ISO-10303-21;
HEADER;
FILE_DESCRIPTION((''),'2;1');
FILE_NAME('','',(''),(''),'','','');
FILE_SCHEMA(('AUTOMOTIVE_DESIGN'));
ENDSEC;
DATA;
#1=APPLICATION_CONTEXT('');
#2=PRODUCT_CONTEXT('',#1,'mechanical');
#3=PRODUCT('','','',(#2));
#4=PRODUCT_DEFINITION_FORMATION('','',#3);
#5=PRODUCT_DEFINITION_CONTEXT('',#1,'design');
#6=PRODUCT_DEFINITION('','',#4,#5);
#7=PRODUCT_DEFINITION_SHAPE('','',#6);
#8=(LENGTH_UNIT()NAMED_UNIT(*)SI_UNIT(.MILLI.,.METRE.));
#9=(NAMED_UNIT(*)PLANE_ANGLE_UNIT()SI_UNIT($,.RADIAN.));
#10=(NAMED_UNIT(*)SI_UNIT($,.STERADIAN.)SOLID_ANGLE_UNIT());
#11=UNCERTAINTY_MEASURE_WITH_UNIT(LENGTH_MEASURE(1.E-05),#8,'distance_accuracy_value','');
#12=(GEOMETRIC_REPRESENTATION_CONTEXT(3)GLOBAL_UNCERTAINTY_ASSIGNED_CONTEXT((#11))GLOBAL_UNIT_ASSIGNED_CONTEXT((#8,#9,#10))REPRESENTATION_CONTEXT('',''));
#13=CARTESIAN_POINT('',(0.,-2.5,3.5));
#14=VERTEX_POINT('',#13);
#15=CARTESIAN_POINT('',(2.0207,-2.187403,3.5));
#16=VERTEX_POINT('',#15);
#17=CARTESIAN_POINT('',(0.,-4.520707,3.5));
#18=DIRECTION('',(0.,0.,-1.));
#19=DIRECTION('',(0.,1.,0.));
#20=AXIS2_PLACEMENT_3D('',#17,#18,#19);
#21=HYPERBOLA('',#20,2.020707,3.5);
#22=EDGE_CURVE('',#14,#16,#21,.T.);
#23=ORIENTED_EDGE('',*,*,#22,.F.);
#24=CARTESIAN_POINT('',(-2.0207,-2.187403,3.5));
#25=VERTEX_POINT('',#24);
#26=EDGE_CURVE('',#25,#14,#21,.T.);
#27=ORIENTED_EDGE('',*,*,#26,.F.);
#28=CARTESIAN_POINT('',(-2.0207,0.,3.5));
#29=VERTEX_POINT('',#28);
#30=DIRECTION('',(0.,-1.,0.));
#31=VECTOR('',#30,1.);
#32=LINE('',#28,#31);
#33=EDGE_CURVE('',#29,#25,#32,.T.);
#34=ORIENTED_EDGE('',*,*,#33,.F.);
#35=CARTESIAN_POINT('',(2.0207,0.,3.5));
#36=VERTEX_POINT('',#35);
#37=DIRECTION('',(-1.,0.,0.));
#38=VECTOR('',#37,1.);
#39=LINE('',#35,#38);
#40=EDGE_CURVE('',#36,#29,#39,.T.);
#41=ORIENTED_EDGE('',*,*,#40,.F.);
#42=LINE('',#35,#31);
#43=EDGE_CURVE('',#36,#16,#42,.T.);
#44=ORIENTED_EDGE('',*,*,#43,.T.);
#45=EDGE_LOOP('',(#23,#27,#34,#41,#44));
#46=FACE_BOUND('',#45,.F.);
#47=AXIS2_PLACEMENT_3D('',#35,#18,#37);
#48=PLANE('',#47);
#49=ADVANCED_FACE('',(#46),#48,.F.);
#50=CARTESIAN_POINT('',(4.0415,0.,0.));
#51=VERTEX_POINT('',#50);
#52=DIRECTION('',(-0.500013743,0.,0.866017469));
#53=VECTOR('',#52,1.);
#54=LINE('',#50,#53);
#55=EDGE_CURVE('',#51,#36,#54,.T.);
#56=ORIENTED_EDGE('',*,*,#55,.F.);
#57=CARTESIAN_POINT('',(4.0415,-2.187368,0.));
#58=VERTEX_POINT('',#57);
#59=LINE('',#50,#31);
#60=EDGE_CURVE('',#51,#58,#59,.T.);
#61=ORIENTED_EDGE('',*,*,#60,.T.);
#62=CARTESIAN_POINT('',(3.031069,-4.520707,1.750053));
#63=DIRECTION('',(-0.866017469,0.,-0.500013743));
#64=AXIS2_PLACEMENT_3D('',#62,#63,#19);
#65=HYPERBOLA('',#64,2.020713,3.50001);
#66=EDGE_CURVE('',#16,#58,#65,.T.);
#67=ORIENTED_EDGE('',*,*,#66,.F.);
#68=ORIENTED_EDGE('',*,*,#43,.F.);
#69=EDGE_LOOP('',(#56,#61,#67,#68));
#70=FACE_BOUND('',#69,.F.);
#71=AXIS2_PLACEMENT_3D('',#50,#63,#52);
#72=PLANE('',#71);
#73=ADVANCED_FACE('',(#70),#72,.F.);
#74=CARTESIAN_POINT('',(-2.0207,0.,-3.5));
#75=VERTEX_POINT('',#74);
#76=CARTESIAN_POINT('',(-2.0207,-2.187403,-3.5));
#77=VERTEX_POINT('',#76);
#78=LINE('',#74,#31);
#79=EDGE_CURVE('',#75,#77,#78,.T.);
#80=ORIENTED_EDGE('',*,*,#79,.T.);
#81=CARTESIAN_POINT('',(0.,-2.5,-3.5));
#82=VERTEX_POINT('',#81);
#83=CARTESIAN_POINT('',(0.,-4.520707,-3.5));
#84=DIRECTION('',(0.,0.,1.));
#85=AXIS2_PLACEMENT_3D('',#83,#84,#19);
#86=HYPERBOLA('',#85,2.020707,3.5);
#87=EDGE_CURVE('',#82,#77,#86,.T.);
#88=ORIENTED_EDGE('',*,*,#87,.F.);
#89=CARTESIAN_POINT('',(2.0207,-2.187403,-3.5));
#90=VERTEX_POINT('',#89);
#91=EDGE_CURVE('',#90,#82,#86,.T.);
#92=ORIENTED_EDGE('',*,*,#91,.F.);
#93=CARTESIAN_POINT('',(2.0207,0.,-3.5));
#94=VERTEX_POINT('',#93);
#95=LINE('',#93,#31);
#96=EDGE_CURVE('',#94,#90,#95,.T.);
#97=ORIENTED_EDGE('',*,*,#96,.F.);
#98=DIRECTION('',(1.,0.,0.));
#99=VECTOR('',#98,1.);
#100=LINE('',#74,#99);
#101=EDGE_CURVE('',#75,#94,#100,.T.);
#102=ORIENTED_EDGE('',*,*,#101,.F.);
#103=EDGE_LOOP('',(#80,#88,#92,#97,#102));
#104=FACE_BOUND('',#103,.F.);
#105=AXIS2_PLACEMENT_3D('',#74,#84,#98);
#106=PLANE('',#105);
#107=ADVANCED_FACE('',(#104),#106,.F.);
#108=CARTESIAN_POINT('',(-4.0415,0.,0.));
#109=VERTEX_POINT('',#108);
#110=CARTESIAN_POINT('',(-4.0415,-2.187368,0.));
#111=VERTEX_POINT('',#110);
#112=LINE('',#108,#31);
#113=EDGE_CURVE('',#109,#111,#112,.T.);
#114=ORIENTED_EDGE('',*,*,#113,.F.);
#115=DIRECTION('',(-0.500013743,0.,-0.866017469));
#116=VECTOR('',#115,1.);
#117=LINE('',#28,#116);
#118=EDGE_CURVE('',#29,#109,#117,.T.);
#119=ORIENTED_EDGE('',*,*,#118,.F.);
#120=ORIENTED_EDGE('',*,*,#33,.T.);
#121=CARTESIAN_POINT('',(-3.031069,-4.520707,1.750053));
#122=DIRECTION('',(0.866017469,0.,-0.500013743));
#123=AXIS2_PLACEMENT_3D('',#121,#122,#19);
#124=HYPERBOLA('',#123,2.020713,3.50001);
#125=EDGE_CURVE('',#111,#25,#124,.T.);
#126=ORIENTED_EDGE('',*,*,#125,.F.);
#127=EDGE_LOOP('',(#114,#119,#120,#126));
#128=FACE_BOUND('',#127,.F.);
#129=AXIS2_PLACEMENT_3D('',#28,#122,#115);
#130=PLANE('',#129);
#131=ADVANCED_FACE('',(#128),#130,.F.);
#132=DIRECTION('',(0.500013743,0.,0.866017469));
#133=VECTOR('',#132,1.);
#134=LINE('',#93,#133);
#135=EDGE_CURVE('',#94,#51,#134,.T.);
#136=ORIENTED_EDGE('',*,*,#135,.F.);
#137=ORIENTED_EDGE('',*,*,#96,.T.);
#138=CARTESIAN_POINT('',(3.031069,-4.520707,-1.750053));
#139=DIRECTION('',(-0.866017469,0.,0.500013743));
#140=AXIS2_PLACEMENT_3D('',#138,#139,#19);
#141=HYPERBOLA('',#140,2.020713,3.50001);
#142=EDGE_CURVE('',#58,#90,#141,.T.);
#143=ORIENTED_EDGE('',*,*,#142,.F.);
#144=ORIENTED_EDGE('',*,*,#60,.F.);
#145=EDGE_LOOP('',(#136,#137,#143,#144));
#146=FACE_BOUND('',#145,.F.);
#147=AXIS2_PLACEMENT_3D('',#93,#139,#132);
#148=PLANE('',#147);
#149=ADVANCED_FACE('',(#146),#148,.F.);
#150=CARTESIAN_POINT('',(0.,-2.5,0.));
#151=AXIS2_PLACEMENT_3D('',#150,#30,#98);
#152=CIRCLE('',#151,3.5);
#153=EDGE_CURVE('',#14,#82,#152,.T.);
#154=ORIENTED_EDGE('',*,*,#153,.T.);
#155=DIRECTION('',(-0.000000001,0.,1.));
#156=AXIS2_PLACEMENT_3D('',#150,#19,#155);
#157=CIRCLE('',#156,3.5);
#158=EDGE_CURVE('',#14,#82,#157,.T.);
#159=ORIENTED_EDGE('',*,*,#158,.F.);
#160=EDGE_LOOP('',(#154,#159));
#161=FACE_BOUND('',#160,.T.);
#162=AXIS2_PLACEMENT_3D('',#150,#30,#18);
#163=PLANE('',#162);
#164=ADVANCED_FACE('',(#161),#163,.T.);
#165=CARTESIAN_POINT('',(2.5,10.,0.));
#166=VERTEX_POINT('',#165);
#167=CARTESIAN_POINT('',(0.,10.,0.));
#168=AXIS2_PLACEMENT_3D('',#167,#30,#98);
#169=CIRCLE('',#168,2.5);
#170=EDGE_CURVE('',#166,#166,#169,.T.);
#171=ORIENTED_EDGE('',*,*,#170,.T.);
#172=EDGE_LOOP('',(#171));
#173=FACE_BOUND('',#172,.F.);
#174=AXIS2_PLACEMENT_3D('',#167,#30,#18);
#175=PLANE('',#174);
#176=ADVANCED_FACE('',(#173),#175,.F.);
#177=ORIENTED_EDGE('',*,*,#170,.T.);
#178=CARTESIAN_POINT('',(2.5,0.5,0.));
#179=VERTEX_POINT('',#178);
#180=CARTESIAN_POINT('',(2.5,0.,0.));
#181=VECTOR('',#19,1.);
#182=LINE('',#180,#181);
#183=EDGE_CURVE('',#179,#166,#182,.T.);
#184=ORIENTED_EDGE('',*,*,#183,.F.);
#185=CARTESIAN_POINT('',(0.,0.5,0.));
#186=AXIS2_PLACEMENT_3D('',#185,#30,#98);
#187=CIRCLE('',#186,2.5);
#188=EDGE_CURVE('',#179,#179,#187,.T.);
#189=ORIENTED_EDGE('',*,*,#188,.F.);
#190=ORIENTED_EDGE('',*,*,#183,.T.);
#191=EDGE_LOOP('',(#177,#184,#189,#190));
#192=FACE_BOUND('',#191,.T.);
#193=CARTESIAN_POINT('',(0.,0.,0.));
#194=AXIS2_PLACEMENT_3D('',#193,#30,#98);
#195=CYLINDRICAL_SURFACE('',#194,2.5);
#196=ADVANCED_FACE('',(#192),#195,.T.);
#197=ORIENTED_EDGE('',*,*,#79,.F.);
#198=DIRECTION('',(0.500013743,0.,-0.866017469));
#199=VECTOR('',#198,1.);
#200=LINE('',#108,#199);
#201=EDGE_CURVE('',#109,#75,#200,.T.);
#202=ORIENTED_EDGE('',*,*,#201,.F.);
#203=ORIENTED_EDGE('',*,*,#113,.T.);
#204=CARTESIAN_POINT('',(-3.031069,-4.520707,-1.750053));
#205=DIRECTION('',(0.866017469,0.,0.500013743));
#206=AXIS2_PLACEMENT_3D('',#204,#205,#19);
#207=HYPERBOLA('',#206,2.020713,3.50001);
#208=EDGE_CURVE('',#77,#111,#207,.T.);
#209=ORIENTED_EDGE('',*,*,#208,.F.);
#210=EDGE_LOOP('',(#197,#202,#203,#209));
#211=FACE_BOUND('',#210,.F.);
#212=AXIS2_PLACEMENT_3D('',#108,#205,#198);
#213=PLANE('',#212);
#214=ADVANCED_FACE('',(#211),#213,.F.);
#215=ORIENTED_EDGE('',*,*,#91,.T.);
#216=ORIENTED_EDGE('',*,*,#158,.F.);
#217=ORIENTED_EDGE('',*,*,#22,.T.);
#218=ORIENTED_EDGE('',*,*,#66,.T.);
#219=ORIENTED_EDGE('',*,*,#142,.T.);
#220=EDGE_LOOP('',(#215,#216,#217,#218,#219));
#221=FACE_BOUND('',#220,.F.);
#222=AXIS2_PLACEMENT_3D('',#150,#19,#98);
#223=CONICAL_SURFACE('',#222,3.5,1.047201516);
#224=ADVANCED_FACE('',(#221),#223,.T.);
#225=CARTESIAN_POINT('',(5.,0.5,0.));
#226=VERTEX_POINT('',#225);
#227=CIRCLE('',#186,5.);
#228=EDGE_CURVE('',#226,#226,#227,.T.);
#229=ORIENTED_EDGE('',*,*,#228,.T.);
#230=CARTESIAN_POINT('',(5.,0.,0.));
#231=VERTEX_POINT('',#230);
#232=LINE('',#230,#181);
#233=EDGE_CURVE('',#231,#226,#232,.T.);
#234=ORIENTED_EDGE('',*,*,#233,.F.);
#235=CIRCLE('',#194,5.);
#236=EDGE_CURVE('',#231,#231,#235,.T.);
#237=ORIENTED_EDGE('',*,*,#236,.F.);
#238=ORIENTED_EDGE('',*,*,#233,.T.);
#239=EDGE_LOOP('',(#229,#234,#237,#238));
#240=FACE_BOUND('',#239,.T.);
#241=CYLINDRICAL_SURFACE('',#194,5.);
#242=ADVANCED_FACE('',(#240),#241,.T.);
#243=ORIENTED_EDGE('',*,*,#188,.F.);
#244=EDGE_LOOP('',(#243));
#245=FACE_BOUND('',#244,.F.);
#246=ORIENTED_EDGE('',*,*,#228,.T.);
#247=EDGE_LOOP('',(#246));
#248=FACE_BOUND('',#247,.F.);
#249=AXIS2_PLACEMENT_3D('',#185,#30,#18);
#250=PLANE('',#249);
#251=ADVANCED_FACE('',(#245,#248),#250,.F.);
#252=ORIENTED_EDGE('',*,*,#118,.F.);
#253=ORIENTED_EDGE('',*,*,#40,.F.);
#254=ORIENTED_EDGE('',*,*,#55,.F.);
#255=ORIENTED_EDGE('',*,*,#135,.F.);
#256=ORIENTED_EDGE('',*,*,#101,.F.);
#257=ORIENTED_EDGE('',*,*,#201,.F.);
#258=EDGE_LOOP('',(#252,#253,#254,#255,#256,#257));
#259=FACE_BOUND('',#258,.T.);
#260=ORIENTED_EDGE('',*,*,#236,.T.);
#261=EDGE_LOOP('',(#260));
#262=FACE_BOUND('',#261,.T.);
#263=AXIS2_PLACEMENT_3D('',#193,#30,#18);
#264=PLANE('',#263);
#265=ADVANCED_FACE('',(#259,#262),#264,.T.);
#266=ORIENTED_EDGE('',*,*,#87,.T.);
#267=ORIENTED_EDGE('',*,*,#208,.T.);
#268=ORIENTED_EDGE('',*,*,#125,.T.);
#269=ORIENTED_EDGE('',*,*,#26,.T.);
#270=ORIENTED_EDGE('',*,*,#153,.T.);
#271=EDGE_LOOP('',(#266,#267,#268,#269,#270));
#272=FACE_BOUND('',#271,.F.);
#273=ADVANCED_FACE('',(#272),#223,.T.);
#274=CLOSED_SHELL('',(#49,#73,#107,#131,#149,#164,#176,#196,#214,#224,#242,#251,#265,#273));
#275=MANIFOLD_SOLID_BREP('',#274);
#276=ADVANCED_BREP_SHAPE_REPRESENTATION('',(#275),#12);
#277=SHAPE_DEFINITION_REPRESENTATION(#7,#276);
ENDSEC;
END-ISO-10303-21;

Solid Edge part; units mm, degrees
sketch "Sketch1" plane through (0, 0, 0) normal (0, -1, 0) x (1, 0, 0)
  line L0 (4.0415, 0) -> (2.0207, 3.5)
  line L1 (2.0207, 3.5) -> (-2.0207, 3.5)
  line L2 (-2.0207, 3.5) -> (-4.0415, 0)
  line L3 (-4.0415, 0) -> (-2.0207, -3.5)
  line L4 (-2.0207, -3.5) -> (2.0207, -3.5)
  line L5 (2.0207, -3.5) -> (4.0415, 0)
extrude "Protrusion1" add sketch "Sketch1" along normal blind 2.5
sketch "Sketch2" plane through (0, 0, 0) normal (0, -1, 0) x (1, 0, 0)
  circle A0 centre (0, 0) radius 2.5
extrude "ExtrudedProtrusion_2" add sketch "Sketch2" against normal blind 10
sketch "Sketch3" plane through (0, 0, 0) normal (0, -1, 0) x (1, 0, 0)
  circle A0 centre (0, 0) radius 5
extrude "ExtrudedProtrusion_3" add sketch "Sketch3" against normal blind 0.5
sketch "Sketch4" plane through (0, 0, 0) normal (0, 0, 1) x (1, 0, 0)
  line L0 (3.5, -2.5) -> (6.0981, -1)
revolve "RevolvedCutout1" cut sketch "Sketch4" angle 360 about axis through (0, 14.1148, 0) along (0, -1, 0) material side at (4.824, -1.7933, 0)
